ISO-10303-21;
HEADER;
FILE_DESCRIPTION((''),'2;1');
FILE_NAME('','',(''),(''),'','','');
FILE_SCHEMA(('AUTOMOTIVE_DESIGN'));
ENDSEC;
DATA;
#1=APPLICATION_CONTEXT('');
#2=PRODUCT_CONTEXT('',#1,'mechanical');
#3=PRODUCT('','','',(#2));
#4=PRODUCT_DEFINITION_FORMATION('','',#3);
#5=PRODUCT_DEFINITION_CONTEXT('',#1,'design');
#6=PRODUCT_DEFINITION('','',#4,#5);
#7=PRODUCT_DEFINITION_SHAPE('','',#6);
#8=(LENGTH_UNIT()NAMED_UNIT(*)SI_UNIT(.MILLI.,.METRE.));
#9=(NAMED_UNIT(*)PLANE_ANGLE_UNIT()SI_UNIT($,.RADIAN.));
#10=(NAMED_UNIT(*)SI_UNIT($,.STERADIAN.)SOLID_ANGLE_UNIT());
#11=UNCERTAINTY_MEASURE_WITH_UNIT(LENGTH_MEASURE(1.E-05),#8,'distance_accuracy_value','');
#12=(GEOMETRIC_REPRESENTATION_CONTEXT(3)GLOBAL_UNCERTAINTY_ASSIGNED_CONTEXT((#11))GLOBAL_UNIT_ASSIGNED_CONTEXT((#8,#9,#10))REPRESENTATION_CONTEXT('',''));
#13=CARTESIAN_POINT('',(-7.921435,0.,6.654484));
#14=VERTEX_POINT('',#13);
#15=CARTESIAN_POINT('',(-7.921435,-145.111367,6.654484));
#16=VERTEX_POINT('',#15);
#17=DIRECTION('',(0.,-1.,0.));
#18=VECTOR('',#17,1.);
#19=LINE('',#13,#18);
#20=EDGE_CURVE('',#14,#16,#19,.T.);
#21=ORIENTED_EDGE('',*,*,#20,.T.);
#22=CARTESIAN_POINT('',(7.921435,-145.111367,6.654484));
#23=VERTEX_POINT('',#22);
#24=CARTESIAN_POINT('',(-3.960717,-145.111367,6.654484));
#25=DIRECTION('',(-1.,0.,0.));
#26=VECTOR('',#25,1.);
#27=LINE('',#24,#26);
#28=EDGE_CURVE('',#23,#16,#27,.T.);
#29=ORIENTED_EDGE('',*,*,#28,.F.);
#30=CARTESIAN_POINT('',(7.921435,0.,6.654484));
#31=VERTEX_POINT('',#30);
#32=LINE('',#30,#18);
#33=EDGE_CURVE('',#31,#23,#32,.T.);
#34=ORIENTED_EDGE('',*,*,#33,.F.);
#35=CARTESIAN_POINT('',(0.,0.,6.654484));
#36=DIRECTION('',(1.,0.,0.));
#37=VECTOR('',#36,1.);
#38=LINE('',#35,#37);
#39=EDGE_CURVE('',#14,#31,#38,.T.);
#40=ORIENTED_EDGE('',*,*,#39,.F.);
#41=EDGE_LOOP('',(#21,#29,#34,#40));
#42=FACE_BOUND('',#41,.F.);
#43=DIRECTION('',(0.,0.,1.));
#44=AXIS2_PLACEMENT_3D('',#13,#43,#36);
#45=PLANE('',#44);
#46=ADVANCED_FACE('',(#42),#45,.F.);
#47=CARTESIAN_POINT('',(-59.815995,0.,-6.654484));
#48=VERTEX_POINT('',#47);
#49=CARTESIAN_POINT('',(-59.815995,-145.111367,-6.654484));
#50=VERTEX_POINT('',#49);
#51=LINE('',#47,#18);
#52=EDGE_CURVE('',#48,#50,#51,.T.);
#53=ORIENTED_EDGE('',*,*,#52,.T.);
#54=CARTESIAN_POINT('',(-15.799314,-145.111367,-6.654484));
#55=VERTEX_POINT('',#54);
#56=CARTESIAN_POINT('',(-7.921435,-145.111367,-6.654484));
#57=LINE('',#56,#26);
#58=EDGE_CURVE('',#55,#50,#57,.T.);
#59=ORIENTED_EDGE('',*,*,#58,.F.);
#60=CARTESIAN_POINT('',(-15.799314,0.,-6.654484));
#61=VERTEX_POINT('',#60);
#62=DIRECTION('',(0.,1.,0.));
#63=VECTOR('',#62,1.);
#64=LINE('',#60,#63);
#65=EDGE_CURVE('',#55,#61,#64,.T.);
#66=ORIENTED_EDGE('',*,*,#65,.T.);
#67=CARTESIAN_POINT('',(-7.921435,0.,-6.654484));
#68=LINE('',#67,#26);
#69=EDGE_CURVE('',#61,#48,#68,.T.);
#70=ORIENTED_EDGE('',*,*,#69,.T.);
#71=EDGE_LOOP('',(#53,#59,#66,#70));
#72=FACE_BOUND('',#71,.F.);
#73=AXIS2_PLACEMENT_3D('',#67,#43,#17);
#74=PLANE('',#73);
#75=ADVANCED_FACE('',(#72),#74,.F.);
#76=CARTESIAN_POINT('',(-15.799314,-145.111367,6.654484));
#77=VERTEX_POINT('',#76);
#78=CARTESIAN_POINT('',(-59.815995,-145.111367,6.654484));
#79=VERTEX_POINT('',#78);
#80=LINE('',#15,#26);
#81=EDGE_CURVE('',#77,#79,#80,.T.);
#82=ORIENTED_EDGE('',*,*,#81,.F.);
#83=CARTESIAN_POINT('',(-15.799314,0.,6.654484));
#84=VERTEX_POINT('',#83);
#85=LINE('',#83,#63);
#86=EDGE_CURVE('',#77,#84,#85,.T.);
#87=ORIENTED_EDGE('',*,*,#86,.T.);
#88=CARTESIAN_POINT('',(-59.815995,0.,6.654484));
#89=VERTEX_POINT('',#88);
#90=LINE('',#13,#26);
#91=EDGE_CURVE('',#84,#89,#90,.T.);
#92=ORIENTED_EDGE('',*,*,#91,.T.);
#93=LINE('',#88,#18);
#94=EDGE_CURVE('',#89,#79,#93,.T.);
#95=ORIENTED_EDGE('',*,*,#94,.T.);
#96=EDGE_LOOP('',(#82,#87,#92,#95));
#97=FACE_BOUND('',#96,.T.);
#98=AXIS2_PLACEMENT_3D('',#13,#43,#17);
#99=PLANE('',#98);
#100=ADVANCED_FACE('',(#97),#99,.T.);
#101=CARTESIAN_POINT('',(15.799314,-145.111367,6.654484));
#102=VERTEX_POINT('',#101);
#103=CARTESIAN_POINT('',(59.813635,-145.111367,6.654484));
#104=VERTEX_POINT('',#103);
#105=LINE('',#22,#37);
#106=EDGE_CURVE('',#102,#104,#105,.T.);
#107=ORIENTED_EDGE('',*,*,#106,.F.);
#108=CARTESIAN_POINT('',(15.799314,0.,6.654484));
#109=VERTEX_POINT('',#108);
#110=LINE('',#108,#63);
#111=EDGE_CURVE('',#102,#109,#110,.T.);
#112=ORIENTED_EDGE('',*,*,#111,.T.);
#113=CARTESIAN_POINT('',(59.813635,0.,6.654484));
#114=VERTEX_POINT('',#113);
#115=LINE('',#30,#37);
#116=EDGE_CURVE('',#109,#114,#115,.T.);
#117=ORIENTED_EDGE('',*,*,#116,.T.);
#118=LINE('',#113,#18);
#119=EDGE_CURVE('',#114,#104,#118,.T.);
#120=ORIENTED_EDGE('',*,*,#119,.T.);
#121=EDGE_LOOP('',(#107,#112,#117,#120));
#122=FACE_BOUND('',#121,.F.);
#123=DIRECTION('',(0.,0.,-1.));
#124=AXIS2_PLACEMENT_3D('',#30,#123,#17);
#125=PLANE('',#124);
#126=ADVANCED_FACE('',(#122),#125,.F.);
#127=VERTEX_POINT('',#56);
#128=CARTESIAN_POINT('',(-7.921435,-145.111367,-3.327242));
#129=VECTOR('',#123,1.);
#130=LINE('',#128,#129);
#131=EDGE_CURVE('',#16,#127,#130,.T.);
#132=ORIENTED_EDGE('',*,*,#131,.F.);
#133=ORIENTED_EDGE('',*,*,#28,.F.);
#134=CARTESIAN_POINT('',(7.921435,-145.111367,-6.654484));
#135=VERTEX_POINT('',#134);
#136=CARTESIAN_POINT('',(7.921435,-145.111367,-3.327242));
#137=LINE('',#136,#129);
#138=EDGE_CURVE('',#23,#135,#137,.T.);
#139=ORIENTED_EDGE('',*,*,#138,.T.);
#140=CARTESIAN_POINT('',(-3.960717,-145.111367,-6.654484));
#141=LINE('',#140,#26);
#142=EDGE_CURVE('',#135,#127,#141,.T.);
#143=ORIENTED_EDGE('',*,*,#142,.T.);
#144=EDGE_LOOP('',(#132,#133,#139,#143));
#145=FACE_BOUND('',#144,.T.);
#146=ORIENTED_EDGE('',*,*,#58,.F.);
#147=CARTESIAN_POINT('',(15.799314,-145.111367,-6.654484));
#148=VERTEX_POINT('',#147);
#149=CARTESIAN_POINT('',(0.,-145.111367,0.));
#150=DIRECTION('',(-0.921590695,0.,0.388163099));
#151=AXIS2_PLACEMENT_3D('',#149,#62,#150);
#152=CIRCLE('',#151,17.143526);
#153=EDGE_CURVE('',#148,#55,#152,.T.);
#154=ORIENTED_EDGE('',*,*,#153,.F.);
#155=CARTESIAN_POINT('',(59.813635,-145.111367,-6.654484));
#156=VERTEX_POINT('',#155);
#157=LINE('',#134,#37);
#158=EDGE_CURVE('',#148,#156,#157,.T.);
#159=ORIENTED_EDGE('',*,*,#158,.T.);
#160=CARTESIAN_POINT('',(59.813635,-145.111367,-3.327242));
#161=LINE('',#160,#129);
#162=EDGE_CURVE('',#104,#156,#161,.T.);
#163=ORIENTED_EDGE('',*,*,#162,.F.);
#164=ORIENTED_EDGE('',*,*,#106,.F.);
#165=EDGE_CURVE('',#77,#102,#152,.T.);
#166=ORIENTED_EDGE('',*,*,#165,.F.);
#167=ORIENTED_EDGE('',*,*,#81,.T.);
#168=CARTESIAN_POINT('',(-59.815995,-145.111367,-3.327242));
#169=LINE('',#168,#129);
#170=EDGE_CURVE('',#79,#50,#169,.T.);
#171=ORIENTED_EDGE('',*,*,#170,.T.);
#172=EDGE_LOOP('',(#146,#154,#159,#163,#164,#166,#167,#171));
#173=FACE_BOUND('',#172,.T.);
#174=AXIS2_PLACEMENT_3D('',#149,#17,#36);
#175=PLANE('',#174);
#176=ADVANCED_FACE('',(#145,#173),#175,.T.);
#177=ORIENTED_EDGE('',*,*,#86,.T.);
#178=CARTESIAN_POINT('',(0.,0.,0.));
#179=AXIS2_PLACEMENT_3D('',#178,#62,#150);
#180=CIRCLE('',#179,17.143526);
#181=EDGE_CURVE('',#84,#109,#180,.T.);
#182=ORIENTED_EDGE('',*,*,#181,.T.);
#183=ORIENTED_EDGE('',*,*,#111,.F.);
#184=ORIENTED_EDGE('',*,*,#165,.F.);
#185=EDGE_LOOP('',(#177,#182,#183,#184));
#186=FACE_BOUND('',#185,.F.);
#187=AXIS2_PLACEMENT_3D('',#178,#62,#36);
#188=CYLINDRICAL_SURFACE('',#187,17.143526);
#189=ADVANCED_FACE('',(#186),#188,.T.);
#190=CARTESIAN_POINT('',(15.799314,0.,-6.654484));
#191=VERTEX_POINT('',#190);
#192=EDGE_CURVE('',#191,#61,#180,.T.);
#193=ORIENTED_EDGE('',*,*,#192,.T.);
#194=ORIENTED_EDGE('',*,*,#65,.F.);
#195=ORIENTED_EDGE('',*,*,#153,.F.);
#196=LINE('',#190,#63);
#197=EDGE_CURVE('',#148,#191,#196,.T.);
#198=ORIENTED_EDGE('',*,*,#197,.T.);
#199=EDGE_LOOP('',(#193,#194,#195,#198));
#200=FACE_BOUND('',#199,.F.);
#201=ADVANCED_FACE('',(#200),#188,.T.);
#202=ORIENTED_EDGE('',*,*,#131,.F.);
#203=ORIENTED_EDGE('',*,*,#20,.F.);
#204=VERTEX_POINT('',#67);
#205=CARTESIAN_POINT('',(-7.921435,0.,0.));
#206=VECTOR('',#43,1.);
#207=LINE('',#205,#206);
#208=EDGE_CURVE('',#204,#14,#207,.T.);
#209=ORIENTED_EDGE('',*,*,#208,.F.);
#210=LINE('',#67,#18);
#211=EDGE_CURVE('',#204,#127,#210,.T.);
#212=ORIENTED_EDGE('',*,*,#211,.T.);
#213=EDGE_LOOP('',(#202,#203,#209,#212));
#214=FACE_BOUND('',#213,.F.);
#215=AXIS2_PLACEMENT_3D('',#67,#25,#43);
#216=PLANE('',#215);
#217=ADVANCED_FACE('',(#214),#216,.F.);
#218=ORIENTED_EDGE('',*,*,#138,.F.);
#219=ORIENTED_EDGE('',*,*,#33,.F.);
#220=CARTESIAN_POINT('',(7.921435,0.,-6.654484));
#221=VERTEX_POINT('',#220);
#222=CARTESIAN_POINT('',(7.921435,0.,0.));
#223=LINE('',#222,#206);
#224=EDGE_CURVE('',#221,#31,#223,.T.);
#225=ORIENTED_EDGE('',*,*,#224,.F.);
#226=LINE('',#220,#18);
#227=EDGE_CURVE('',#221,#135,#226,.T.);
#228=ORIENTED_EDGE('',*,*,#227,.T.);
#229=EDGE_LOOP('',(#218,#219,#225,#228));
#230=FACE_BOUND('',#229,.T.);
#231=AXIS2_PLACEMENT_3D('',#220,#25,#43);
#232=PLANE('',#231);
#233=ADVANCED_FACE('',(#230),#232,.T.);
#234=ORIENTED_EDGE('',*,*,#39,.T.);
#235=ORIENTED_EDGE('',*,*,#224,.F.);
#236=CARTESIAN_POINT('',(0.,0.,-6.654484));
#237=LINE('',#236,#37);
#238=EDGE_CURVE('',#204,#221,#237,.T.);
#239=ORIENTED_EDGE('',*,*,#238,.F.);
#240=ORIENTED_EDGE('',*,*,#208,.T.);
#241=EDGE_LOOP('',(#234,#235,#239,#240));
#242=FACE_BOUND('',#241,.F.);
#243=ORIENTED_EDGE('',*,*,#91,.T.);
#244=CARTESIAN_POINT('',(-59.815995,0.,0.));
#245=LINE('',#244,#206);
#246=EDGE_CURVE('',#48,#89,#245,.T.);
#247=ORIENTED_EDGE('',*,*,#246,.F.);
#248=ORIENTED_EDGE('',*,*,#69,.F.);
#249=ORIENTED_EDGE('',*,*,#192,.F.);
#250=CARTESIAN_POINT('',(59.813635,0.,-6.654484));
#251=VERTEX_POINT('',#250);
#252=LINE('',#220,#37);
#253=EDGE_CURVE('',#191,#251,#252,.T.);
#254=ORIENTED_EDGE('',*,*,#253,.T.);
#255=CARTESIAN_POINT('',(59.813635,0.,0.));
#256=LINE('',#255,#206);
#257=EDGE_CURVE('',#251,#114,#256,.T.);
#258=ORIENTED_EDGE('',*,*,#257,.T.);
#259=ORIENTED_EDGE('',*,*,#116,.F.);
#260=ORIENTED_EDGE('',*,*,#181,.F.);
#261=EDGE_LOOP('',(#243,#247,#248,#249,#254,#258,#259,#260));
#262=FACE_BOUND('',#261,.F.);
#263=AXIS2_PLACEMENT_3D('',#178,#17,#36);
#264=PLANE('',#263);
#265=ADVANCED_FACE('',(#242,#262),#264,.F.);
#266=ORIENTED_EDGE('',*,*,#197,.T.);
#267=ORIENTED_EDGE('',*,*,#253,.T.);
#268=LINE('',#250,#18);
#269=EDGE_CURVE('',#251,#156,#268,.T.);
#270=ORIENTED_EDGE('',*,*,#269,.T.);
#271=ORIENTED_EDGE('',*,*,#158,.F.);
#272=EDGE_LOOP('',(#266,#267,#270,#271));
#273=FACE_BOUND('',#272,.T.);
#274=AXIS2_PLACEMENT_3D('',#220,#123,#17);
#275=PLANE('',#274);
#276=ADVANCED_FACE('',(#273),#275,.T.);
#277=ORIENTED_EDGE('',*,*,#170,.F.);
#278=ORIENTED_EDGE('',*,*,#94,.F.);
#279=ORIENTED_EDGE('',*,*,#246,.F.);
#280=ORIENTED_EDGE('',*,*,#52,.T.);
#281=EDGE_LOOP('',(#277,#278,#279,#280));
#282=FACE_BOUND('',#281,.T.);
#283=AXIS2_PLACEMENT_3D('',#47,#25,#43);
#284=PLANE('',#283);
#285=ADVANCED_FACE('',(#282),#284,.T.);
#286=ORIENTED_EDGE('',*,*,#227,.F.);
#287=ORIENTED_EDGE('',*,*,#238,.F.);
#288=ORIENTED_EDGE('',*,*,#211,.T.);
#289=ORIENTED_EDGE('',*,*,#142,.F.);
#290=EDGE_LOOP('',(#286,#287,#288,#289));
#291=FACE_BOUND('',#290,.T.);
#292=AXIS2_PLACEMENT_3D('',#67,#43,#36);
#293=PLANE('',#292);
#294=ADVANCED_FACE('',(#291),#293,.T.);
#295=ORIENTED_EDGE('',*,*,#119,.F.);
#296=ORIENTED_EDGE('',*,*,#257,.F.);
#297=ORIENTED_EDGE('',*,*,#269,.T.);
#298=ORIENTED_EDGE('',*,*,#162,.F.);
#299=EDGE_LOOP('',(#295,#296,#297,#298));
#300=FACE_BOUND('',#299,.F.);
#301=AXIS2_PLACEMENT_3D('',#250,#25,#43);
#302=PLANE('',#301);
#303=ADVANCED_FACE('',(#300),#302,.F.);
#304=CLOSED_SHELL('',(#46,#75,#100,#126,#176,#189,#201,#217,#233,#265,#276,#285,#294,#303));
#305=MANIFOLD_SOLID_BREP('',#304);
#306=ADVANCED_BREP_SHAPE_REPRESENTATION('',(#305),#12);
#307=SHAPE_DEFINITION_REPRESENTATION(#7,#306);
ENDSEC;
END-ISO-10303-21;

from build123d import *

# Parameters (mm, degrees)
F0_R     = 17.1435260445
F1_DEPTH = 145.1113671064
F2_W     = 15.8428698778
F2_H     = 13.308968395
F3_DEPTH = 239.869505167
F4_DEPTH = 51.8945604563
F5_DEPTH = 51.8922


with BuildPart() as f1:
    # F0 (on Front) → F1 (new body)
    with BuildSketch(Plane.XZ):
        Circle(F0_R)
    extrude(amount=F1_DEPTH)

    # F2 (on Front) → F3 (cut)
    with BuildSketch(Plane.XZ):
        Rectangle(F2_W, F2_H)
    extrude(amount=F3_DEPTH, mode=Mode.SUBTRACT)

    # F4 (add): a face of the model
    f4_faces = [f1.faces().sort_by_distance(p)[0] for p in [
        (-7.9214349389, -72.5556835532, 0),
    ]]
    extrude(f4_faces, amount=-F4_DEPTH)

    # F5 (add): a face of the model
    f5_faces = [f1.faces().sort_by_distance(p)[0] for p in [
        (7.9214349389, -72.5556835532, 0),
    ]]
    extrude(f5_faces, amount=-F5_DEPTH)


solid = f1.part
